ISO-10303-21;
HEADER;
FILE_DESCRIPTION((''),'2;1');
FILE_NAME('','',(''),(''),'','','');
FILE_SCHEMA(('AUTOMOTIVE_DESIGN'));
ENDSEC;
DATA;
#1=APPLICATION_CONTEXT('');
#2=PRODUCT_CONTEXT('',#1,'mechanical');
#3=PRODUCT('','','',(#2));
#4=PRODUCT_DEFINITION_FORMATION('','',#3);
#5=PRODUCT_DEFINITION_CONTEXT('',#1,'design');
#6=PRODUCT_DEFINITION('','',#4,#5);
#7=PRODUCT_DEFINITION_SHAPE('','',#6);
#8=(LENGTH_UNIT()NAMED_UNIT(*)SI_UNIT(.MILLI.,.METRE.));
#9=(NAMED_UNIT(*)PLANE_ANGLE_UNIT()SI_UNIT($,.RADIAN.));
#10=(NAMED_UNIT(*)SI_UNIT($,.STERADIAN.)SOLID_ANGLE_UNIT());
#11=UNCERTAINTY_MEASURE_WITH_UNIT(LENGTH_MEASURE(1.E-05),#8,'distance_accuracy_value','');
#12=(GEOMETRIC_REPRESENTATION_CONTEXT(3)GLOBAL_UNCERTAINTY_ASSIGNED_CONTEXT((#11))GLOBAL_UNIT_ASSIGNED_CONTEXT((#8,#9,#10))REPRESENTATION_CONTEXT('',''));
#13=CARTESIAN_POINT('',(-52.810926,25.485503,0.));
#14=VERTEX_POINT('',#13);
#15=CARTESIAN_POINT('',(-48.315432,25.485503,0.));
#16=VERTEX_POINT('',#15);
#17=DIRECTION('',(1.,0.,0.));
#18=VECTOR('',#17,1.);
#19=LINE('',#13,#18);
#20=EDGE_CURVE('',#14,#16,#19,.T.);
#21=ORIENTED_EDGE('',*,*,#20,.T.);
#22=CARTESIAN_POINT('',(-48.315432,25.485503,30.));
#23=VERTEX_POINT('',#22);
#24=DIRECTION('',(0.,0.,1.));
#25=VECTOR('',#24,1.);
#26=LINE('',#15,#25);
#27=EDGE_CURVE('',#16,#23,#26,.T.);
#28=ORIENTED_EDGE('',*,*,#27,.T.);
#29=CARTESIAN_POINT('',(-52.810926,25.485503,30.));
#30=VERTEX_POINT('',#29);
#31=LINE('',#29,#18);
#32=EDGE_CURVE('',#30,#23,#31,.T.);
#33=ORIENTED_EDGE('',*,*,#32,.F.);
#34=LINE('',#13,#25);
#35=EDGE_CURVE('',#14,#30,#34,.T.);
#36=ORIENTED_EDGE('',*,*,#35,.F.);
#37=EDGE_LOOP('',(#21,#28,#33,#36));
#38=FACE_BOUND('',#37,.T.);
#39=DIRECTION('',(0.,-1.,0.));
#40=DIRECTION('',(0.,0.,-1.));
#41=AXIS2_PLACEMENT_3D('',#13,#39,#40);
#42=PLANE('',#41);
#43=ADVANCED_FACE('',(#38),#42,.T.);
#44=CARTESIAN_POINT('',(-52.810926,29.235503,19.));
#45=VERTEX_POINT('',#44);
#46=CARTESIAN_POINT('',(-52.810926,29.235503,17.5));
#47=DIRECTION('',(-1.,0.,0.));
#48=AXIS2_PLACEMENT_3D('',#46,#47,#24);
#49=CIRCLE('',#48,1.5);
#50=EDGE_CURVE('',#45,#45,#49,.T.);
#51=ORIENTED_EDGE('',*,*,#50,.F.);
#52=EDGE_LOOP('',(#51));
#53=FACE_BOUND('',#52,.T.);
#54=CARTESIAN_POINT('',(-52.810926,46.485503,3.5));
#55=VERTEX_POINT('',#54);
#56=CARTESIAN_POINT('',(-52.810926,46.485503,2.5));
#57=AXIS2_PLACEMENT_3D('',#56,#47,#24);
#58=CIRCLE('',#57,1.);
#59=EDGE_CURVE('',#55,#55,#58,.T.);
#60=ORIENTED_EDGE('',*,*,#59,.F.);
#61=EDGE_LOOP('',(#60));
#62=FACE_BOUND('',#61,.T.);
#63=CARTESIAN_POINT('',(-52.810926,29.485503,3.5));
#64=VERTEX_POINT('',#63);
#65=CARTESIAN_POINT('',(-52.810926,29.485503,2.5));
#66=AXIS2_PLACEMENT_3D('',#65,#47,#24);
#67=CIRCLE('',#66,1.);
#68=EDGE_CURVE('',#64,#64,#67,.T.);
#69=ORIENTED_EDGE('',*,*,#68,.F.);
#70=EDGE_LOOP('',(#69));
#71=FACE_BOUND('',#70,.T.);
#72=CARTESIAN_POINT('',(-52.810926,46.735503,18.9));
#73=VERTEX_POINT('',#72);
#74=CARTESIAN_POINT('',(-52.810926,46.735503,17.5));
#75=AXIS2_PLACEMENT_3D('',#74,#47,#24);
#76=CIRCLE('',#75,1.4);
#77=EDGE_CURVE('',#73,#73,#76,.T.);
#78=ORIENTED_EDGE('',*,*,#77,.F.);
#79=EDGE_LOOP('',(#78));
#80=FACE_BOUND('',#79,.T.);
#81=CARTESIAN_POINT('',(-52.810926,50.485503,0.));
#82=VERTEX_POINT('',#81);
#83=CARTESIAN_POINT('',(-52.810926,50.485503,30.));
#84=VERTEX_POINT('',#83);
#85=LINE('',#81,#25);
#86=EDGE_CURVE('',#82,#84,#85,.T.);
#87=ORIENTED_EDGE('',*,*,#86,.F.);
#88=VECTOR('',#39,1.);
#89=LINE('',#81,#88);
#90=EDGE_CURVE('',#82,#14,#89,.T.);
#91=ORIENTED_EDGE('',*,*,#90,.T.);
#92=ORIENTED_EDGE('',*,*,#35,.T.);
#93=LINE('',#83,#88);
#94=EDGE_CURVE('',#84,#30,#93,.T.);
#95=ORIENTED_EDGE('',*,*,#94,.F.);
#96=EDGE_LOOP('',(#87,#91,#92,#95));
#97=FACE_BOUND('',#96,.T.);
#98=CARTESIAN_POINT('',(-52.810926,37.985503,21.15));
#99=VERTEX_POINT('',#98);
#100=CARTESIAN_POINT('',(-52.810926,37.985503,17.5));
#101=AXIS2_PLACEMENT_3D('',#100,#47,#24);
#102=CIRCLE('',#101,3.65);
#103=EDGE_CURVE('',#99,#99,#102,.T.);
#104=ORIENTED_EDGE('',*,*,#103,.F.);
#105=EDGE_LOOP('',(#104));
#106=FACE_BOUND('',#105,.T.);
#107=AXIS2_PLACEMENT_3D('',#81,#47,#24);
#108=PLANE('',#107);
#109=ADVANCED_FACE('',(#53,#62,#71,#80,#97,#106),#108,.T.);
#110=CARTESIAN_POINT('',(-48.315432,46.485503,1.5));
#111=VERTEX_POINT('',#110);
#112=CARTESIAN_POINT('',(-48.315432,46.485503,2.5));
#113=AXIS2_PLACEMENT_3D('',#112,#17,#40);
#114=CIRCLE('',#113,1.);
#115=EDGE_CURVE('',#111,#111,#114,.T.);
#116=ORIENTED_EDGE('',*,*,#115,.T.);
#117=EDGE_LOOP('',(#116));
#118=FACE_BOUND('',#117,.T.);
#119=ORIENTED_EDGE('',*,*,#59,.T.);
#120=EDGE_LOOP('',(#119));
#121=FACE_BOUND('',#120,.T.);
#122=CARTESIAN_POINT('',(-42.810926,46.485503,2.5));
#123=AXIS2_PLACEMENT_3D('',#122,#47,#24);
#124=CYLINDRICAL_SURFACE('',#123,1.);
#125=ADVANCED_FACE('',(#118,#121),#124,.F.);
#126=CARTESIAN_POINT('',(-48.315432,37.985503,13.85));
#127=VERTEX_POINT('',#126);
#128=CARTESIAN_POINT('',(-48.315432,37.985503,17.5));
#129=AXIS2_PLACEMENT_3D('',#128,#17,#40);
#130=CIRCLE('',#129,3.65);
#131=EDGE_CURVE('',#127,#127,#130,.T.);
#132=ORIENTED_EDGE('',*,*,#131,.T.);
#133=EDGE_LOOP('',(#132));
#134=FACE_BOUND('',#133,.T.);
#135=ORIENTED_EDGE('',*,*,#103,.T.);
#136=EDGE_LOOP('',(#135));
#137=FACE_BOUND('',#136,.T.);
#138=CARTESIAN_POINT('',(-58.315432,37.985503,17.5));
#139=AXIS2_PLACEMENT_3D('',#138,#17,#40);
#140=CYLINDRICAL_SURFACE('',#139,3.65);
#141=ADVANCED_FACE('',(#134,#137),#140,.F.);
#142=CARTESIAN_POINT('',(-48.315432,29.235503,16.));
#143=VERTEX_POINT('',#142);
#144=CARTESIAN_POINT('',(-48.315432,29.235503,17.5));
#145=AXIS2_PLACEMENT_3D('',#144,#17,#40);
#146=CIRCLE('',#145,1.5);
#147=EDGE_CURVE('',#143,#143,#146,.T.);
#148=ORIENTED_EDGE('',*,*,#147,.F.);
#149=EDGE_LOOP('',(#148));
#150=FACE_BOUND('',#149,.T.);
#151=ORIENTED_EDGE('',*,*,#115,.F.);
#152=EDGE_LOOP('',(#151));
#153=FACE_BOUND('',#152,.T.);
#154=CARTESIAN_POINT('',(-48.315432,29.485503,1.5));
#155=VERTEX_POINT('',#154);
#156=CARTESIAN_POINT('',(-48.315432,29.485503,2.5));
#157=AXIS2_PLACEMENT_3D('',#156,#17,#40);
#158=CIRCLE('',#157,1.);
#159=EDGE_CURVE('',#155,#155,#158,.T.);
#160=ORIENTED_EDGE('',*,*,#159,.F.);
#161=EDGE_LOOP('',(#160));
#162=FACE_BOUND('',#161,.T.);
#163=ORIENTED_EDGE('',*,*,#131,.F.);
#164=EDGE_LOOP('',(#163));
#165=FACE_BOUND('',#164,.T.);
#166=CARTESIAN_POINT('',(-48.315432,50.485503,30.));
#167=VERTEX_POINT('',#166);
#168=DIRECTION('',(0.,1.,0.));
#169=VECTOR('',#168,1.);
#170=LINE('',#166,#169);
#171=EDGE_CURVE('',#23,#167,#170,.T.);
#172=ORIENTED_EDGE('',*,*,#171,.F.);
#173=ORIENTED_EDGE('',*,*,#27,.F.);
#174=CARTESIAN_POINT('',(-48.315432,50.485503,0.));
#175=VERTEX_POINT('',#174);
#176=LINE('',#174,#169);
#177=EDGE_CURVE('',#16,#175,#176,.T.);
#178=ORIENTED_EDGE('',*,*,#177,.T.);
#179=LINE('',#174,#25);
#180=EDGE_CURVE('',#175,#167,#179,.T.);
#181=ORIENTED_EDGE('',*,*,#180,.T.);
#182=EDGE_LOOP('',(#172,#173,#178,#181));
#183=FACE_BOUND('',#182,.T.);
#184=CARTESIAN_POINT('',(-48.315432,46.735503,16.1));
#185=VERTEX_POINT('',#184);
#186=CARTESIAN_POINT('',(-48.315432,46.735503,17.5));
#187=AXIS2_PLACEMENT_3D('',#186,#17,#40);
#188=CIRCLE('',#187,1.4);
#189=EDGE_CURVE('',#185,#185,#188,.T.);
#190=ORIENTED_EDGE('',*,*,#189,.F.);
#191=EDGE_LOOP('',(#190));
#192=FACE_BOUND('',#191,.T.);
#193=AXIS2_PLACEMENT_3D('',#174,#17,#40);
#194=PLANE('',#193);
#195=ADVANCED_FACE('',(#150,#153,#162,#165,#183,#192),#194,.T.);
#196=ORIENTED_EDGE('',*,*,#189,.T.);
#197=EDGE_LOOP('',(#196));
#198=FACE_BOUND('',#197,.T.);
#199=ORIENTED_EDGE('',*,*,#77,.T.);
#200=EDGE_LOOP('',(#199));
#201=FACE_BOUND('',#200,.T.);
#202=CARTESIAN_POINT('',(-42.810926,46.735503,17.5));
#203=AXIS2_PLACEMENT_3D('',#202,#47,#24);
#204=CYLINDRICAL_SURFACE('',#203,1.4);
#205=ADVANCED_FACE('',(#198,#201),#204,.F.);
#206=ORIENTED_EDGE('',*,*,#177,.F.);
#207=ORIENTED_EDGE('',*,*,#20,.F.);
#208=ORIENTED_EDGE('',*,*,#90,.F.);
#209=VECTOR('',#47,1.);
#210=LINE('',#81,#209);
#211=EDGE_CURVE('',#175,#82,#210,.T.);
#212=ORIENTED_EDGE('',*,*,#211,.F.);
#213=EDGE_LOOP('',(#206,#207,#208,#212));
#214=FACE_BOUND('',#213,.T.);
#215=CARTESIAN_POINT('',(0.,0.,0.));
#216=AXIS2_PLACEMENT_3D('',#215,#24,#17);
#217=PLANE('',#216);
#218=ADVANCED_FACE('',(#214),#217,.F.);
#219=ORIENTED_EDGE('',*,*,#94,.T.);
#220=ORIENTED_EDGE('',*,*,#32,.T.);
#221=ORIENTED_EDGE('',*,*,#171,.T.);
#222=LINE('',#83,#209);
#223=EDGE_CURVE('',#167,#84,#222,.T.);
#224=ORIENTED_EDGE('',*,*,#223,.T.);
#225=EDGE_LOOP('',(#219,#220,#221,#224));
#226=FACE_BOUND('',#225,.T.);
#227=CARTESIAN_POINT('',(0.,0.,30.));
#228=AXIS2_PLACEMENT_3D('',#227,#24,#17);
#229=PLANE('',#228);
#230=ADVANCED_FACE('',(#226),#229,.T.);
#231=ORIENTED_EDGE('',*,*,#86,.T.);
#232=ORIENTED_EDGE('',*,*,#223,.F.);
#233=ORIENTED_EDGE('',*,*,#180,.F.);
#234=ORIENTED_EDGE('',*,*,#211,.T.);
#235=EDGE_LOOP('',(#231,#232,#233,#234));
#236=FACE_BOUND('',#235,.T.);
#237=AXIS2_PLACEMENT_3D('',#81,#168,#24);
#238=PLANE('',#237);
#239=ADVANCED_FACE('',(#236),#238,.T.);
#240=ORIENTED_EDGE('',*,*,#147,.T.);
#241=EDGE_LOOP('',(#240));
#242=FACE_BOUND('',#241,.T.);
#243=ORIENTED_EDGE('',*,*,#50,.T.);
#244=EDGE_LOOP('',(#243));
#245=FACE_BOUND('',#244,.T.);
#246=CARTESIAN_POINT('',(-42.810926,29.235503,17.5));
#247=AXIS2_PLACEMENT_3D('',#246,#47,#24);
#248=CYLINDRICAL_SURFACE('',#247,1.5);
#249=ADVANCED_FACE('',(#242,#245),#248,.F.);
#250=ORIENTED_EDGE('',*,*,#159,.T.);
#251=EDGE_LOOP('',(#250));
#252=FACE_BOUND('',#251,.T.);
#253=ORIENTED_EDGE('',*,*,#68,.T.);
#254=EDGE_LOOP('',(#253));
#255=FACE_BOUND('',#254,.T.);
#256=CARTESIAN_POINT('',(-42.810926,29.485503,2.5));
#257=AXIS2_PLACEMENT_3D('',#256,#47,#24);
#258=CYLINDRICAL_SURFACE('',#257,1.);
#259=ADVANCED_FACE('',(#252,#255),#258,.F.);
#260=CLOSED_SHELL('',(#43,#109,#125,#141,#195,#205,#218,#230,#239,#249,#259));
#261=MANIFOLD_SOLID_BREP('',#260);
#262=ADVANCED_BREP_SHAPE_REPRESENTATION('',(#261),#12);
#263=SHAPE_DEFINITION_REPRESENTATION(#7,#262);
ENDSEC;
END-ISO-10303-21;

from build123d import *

# Parameters (mm, degrees)
RESSALTO_EXTRUS_O2_DEPTH      = 25
RESSALTO_EXTRUS_O2_DEPTH_BACK = 5
ESBO_O5_W                     = 4.495494134
ESBO_O5_H                     = 25
ESBO_O6_R                     = 1
CORTE_EXTRUS_O3_DEPTH         = 10
ESBO_O7_R                     = 1
CORTE_EXTRUS_O4_DEPTH         = 10
ESBO_O8_R                     = 3.65
CORTE_EXTRUS_O5_DEPTH         = 10
ESBO_O9_R                     = 1.4
CORTE_EXTRUS_O6_DEPTH         = 10
ESBO_O10_R                    = 1.5
CORTE_EXTRUS_O7_DEPTH         = 10


with BuildPart() as part:
    # Esboço5 → Ressalto-extrusão2 (new, two sides: drawn at the far end of the back side and taken through both)
    with BuildSketch(Plane.XY.offset(5).offset(-RESSALTO_EXTRUS_O2_DEPTH_BACK)):
        with Locations((-50.563178661, 37.985502959)):
            Rectangle(ESBO_O5_W, ESBO_O5_H)
    extrude(amount=RESSALTO_EXTRUS_O2_DEPTH + RESSALTO_EXTRUS_O2_DEPTH_BACK)

    # Esboço6 → Corte-extrusão3 (cut)
    with BuildSketch(Plane.ZY.offset(52.810925728)):
        with Locations((2.5, 46.485502959)):
            Circle(ESBO_O6_R)
    extrude(amount=-CORTE_EXTRUS_O3_DEPTH, mode=Mode.SUBTRACT)

    # Esboço7 → Corte-extrusão4 (cut)
    with BuildSketch(Plane.ZY.offset(52.810925728)):
        with Locations((2.5, 29.485502959)):
            Circle(ESBO_O7_R)
    extrude(amount=-CORTE_EXTRUS_O4_DEPTH, mode=Mode.SUBTRACT)

    # Esboço8 → Corte-extrusão5 (cut)
    with BuildSketch(Plane(origin=(-48.315431594, 0, 0), x_dir=(0, 0, -1), z_dir=(1, 0, 0))):
        with Locations((-17.5, 37.985502959)):
            Circle(ESBO_O8_R)
    extrude(amount=-CORTE_EXTRUS_O5_DEPTH, mode=Mode.SUBTRACT)

    # Esboço9 → Corte-extrusão6 (cut)
    with BuildSketch(Plane.ZY.offset(52.810925728)):
        with Locations((17.5, 46.735502959)):
            Circle(ESBO_O9_R)
    extrude(amount=-CORTE_EXTRUS_O6_DEPTH, mode=Mode.SUBTRACT)

    # Esboço10 → Corte-extrusão7 (cut)
    with BuildSketch(Plane.ZY.offset(52.810925728)):
        with Locations((17.5, 29.235502959)):
            Circle(ESBO_O10_R)
    extrude(amount=-CORTE_EXTRUS_O7_DEPTH, mode=Mode.SUBTRACT)


solid = part.part
